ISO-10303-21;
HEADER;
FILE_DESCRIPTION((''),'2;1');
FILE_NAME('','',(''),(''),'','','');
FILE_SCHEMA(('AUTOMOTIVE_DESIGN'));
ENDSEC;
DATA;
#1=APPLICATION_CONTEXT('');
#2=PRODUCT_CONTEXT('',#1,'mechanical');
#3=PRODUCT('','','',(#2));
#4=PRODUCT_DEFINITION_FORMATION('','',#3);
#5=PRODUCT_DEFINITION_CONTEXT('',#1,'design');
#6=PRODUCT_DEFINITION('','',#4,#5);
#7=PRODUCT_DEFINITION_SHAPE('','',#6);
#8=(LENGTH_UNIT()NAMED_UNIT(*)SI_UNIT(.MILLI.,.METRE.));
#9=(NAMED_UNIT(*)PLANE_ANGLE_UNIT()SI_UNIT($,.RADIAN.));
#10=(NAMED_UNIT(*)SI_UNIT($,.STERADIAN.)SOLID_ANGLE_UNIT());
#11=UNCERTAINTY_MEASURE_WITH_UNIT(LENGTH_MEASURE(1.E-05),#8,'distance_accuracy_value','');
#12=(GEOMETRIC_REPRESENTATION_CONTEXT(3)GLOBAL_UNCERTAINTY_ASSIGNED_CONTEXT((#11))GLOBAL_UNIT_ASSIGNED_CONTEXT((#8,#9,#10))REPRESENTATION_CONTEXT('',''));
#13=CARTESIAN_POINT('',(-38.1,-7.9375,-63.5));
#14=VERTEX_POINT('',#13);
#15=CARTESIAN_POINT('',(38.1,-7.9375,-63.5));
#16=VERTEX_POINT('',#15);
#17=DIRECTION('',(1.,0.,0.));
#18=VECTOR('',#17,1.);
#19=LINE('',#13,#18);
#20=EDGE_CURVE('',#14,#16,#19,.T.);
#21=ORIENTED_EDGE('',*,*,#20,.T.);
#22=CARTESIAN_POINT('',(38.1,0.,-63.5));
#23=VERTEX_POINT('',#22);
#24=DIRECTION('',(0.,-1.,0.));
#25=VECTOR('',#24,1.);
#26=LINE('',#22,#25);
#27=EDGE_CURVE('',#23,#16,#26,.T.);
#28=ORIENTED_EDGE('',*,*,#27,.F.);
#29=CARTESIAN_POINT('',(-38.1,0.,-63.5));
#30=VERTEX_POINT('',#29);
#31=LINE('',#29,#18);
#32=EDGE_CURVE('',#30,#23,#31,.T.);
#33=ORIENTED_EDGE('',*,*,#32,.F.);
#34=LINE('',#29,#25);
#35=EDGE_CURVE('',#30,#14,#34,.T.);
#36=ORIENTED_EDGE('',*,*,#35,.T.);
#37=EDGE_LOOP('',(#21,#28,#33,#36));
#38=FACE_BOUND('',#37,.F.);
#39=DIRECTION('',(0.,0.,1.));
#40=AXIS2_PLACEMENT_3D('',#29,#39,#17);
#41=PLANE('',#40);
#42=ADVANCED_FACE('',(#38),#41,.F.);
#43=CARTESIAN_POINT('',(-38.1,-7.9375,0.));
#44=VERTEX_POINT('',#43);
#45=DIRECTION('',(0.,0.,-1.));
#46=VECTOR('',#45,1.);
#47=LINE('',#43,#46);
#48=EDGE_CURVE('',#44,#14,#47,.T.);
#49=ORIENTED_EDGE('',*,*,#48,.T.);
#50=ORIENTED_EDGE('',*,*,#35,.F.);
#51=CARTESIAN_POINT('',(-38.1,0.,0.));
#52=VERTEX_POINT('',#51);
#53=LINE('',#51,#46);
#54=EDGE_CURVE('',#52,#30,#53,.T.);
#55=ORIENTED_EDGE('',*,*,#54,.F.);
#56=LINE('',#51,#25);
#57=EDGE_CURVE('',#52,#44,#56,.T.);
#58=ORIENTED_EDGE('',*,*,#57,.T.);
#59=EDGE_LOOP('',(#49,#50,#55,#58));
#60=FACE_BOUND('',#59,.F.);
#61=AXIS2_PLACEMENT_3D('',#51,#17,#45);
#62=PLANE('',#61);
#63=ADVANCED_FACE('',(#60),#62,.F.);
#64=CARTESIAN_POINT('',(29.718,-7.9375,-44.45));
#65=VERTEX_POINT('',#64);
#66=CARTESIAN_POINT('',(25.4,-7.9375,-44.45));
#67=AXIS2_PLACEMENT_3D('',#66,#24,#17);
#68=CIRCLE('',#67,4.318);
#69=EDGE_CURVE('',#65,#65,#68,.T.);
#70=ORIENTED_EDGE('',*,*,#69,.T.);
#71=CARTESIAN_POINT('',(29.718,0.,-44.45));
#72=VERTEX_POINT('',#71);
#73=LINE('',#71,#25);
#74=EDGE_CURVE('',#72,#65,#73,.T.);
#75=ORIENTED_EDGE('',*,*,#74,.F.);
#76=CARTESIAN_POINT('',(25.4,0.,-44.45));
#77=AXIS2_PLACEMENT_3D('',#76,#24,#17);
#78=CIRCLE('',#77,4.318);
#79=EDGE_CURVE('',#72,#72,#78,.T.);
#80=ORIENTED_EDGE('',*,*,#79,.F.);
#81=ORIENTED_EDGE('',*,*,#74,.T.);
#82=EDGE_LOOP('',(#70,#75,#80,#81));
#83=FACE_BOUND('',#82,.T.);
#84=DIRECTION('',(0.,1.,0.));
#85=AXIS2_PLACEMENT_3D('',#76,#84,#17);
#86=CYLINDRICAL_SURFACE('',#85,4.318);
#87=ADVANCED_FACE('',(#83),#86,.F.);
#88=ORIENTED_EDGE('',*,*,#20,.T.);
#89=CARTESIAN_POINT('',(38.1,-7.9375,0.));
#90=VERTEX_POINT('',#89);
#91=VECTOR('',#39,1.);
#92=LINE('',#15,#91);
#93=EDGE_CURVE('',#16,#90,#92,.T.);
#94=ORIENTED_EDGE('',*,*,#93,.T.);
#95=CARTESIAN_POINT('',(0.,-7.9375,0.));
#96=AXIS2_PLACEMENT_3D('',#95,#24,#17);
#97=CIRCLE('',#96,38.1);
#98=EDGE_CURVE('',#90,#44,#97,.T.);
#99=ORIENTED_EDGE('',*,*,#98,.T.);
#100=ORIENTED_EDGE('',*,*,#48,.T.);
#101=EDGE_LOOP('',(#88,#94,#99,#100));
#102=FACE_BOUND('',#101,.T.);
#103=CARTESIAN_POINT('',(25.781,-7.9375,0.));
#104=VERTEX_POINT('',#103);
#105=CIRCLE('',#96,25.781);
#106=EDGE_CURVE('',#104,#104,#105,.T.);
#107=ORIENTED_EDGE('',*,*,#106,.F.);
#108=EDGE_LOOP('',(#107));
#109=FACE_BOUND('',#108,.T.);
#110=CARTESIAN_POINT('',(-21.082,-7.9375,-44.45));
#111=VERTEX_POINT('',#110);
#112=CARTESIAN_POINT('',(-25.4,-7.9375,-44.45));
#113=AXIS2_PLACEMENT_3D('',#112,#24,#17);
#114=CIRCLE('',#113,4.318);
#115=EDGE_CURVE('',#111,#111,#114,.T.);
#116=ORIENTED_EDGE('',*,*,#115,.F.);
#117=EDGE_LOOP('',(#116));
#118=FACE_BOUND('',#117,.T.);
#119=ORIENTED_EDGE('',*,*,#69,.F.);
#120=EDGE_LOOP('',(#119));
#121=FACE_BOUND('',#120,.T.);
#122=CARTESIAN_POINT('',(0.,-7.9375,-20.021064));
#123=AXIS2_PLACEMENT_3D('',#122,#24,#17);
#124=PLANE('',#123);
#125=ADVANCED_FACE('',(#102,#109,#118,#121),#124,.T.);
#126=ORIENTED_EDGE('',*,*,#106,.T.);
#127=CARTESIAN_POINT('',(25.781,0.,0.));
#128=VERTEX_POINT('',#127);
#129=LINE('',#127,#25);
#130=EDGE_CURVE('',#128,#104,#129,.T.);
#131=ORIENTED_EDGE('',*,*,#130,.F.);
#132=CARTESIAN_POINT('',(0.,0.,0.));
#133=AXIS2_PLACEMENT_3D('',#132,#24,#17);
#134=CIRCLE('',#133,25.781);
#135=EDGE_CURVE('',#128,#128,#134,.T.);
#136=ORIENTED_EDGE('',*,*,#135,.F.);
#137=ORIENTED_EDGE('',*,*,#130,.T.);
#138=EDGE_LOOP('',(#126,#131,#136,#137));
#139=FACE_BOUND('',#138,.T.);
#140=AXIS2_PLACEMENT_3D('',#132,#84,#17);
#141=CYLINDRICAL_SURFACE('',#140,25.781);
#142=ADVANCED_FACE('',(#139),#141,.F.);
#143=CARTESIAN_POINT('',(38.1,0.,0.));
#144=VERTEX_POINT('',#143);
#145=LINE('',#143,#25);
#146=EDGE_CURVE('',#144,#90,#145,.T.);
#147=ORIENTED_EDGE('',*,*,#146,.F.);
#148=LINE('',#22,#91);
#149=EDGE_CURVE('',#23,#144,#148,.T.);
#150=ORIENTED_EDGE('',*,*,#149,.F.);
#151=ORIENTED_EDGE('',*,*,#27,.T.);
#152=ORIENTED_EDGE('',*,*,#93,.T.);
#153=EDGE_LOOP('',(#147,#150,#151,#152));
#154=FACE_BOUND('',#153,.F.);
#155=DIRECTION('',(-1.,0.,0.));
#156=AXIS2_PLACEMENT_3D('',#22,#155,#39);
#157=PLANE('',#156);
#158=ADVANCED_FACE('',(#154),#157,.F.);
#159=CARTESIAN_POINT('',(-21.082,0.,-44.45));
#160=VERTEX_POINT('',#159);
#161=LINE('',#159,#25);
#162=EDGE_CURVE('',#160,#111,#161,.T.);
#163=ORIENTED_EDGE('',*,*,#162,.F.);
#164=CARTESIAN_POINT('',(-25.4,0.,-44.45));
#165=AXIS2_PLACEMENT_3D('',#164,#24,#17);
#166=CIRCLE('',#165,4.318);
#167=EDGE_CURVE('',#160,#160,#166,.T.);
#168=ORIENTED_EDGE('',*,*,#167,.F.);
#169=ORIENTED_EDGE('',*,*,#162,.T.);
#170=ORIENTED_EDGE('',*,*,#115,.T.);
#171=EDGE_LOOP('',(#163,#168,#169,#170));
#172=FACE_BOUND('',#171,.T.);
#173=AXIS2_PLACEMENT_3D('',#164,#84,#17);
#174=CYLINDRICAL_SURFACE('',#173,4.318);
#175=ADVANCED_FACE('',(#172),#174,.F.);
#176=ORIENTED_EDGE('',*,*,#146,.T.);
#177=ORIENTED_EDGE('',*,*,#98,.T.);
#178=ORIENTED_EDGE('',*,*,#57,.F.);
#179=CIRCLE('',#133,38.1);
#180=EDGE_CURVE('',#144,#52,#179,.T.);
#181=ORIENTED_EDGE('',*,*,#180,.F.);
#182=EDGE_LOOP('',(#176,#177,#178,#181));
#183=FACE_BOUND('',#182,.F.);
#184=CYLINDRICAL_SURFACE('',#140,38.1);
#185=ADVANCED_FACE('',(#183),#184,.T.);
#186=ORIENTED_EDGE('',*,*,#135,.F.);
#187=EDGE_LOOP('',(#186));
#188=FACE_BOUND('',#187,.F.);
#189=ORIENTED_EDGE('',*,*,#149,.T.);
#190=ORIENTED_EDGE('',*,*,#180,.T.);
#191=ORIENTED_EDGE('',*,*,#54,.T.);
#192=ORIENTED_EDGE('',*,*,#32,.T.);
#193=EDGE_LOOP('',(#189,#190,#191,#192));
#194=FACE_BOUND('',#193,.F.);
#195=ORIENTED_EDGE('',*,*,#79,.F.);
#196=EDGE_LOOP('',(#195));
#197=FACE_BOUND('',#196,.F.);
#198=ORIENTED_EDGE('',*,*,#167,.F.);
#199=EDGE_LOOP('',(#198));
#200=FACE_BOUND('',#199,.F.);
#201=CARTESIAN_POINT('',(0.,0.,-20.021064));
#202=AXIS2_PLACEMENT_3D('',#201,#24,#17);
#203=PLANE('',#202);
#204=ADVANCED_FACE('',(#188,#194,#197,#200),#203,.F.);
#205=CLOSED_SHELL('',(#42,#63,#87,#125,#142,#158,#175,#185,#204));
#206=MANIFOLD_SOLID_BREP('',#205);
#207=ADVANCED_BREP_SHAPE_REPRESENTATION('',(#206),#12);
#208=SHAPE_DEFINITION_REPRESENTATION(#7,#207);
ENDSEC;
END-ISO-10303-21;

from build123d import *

# Parameters (mm, degrees)
F0_R     = 4.318
F0_R_2   = 25.781
F1_DEPTH = 7.9375


with BuildPart() as f1:
    # F0 (on Front) → F1 (new body)
    with BuildSketch(Plane.XZ):
        with BuildLine():
            Line((38.1, -63.5), (38.1, 0))
            ThreePointArc((38.1, 0), (0, 38.1), (-38.1, 0))
            Line((-38.1, 0), (-38.1, -63.5))
            Line((-38.1, -63.5), (38.1, -63.5))
        make_face()
        with Locations((-25.4, -44.45)):
            Circle(F0_R, mode=Mode.SUBTRACT)
        with Locations((25.4, -44.45)):
            Circle(F0_R, mode=Mode.SUBTRACT)
        Circle(F0_R_2, mode=Mode.SUBTRACT)
    extrude(amount=F1_DEPTH)


solid = f1.part
